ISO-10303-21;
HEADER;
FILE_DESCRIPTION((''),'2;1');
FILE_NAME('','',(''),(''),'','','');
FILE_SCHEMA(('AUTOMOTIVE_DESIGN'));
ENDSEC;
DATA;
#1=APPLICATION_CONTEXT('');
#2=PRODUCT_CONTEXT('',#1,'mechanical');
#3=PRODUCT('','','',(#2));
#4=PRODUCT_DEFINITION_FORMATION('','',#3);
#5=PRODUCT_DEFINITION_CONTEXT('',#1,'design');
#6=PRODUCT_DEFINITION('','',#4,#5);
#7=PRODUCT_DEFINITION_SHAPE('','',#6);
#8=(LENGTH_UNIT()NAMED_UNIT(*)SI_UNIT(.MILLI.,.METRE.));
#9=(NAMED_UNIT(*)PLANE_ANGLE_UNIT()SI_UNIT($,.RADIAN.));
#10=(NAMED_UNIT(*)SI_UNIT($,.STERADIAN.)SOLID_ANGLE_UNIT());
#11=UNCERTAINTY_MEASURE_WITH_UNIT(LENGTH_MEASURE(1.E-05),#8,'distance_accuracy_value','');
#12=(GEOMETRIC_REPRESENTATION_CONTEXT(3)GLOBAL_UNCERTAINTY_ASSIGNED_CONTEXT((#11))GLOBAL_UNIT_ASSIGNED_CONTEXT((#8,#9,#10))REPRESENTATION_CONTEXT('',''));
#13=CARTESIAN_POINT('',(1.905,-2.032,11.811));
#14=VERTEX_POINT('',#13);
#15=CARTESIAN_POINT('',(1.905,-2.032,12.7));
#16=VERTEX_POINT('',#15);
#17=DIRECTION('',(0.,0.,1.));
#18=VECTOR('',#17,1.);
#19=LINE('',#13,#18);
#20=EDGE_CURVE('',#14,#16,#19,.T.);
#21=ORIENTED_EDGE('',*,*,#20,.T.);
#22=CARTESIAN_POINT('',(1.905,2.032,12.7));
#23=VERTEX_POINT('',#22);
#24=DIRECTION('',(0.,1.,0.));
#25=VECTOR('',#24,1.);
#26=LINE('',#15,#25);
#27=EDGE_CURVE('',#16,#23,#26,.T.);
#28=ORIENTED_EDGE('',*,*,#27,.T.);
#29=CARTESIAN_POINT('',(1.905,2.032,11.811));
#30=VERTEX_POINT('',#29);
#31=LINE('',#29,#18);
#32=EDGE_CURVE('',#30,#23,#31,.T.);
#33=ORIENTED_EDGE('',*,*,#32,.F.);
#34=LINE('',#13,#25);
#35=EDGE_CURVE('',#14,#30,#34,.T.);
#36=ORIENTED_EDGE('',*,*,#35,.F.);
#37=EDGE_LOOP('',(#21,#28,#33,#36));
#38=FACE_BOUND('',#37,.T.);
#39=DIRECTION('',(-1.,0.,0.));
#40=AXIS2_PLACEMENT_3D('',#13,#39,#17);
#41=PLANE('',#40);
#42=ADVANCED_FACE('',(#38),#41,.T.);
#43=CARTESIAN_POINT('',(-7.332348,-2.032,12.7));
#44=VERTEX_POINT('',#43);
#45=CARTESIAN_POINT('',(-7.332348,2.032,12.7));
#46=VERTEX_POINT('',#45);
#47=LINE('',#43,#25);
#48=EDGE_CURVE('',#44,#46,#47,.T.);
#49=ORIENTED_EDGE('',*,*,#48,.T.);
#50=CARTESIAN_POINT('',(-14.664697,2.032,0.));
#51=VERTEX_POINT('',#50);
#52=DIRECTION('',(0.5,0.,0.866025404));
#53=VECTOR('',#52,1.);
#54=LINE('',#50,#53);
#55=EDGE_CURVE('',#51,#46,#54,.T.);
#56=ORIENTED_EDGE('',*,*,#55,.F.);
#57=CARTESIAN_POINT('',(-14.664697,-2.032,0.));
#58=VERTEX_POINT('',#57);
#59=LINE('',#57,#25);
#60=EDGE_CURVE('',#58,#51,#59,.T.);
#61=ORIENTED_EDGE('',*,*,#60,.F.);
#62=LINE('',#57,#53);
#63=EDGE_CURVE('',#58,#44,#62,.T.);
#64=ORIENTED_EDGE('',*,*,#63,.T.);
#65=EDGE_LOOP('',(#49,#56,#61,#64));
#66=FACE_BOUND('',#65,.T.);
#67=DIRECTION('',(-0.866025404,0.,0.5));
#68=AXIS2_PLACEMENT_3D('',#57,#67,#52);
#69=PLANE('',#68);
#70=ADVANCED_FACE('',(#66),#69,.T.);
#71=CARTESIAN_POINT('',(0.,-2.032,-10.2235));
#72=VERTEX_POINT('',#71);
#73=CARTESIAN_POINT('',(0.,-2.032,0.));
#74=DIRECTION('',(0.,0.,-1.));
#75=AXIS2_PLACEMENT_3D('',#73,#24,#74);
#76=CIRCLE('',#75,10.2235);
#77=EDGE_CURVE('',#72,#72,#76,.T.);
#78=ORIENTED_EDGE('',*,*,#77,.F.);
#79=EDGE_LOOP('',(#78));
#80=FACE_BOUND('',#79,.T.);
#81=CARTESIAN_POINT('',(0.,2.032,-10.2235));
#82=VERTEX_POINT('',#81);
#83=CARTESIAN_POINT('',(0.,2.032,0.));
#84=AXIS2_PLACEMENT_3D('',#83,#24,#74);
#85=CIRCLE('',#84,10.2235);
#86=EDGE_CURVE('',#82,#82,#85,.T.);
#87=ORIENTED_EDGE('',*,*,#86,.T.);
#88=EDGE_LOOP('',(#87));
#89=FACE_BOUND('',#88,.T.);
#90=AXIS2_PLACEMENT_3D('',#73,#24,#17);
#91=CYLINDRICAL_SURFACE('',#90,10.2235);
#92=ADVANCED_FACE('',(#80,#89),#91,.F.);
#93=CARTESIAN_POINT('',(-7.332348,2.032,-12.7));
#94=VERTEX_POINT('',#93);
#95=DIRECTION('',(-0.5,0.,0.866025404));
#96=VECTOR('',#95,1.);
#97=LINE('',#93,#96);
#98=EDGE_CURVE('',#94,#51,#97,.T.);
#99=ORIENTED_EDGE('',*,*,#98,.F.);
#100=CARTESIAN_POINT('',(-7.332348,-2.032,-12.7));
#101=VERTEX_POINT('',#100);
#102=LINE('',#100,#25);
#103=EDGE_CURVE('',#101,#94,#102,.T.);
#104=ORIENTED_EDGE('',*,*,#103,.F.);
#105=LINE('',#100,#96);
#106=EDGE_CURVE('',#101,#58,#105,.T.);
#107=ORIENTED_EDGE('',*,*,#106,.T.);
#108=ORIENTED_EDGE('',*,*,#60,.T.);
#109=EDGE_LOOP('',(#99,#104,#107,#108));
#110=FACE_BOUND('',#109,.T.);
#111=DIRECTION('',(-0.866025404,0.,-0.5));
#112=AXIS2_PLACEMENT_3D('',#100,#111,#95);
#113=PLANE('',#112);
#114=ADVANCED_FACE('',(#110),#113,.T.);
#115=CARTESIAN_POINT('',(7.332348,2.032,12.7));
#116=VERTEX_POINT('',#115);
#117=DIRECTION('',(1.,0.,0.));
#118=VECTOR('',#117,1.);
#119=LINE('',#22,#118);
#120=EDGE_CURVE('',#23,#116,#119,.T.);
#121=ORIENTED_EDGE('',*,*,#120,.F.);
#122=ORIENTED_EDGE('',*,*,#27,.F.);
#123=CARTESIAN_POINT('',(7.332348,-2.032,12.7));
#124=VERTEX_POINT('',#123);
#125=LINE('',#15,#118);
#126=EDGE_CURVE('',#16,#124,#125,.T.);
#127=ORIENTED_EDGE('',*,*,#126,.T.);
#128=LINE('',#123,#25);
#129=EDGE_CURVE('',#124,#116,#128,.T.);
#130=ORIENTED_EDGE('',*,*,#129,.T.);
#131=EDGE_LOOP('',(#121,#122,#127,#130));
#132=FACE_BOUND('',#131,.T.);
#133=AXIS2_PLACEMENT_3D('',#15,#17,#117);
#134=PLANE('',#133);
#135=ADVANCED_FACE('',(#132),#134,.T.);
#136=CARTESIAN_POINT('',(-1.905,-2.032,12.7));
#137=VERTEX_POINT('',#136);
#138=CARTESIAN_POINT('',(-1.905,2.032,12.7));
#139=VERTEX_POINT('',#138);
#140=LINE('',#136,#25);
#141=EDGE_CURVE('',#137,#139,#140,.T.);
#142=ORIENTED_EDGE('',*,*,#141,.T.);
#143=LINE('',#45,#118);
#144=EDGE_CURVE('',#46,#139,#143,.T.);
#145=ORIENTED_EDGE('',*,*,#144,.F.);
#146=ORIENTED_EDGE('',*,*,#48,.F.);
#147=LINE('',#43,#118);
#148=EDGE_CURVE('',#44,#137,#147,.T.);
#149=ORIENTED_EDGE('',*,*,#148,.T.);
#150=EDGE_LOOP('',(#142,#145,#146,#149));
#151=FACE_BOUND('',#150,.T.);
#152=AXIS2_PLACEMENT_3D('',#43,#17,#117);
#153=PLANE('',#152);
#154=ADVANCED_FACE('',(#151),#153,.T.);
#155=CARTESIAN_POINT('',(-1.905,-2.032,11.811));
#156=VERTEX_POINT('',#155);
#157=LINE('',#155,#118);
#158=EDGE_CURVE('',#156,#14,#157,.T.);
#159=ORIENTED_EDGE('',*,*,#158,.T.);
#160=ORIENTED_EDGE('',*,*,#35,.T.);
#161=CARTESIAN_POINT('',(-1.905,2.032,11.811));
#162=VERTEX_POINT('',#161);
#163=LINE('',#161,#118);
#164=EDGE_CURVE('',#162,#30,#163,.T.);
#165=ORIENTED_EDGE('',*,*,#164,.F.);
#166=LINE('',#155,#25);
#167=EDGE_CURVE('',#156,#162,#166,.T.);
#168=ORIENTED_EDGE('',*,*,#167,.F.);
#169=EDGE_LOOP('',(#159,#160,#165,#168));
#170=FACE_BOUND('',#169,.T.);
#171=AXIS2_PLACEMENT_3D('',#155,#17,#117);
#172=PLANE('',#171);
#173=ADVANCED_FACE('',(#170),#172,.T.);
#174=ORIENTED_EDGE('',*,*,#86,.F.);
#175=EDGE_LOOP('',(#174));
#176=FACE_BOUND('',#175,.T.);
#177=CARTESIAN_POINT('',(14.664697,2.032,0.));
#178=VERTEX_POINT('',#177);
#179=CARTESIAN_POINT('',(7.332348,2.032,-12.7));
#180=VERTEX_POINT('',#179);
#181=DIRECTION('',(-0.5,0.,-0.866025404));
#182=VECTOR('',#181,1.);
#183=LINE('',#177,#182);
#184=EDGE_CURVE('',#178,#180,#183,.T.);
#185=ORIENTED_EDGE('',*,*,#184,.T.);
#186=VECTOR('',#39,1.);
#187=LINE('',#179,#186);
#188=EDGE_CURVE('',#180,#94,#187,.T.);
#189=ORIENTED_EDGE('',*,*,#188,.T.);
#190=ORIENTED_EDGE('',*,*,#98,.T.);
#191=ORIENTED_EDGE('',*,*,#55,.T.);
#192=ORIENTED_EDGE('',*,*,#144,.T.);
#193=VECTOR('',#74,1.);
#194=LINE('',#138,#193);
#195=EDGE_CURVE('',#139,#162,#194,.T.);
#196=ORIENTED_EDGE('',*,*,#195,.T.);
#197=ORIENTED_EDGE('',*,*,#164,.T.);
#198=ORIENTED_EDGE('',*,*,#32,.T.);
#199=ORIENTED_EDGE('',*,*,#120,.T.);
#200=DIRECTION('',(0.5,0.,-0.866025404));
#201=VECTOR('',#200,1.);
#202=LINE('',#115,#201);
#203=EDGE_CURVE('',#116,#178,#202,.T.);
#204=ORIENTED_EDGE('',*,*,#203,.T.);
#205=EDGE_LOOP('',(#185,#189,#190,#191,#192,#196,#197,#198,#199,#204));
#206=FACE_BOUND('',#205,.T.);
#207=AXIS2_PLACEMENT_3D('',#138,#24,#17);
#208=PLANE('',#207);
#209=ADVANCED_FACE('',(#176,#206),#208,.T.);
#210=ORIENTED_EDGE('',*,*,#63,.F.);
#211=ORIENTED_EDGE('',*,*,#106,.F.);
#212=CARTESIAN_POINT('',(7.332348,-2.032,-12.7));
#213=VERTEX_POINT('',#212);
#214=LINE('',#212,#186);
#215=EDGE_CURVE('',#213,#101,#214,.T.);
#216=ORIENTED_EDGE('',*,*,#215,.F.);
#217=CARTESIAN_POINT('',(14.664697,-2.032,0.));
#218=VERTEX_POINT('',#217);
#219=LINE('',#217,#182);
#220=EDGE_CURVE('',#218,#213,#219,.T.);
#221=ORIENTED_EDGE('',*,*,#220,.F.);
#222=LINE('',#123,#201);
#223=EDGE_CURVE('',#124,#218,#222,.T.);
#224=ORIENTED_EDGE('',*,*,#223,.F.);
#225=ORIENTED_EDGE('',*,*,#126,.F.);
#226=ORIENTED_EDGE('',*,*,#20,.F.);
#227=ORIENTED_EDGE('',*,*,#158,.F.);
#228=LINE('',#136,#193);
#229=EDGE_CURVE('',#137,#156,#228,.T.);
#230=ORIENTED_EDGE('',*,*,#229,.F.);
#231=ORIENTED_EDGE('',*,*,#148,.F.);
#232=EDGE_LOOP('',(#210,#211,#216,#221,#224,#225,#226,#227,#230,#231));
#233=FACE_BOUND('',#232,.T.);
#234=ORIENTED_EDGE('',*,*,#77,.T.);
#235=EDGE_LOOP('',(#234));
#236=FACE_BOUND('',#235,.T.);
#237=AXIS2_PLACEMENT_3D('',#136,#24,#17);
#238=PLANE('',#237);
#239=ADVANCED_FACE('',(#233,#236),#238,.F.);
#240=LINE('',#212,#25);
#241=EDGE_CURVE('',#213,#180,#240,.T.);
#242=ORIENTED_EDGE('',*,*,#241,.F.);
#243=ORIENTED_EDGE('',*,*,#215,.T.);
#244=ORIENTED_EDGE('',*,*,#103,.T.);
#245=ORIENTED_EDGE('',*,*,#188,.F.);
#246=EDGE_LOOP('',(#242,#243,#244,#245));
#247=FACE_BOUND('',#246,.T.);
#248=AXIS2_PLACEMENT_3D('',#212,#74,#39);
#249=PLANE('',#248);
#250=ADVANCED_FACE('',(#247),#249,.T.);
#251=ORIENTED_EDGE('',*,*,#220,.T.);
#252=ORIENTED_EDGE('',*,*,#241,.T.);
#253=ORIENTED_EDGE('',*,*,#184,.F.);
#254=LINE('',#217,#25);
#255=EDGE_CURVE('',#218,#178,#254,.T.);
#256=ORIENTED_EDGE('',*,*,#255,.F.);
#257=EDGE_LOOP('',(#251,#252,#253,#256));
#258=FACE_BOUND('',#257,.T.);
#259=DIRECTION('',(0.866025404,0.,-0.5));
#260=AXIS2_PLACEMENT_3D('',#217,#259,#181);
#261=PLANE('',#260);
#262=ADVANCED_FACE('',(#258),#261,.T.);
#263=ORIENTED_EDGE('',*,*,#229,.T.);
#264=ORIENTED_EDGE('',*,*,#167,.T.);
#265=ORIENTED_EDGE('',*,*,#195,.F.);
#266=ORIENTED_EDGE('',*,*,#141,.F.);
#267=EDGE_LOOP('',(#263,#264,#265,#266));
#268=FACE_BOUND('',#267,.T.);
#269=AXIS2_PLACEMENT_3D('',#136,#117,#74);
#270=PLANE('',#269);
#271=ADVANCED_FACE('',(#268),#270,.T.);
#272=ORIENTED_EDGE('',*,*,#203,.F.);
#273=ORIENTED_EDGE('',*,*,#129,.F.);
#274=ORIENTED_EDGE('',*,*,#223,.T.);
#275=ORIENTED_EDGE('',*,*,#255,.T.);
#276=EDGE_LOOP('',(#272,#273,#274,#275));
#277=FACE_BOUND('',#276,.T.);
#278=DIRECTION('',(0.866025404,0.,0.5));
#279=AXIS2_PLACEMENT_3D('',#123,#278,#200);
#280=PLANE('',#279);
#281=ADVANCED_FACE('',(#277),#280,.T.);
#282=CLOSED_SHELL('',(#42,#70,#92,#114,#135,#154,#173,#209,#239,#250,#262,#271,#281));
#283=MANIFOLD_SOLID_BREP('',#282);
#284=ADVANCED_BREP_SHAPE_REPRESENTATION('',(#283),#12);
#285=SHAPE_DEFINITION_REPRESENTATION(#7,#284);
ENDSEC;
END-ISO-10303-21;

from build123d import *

# Parameters (mm, degrees)
SKETCH1_R           = 10.2235
BOSS_EXTRUDE1_DEPTH = 4.064


with BuildPart() as part:
    # Sketch1 → Boss-Extrude1 (new body)
    with BuildSketch(Plane(origin=(0, 2.032, 0), x_dir=(-1, 0, 0), z_dir=(0, 1, 0))):
        Polygon((1.905, 12.7), (1.905, 11.811), (-1.905, 11.811), (-1.905, 12.7), (-7.332348419, 12.7), (-14.664696837, 0), (-7.332348419, -12.7), (7.332348419, -12.7), (14.664696837, 0), (7.332348419, 12.7), align=None)
        with Locations(Location((0, 0, 0), (0, 0, 270))):
            Circle(SKETCH1_R, mode=Mode.SUBTRACT)
    extrude(amount=-BOSS_EXTRUDE1_DEPTH)


solid = part.part
